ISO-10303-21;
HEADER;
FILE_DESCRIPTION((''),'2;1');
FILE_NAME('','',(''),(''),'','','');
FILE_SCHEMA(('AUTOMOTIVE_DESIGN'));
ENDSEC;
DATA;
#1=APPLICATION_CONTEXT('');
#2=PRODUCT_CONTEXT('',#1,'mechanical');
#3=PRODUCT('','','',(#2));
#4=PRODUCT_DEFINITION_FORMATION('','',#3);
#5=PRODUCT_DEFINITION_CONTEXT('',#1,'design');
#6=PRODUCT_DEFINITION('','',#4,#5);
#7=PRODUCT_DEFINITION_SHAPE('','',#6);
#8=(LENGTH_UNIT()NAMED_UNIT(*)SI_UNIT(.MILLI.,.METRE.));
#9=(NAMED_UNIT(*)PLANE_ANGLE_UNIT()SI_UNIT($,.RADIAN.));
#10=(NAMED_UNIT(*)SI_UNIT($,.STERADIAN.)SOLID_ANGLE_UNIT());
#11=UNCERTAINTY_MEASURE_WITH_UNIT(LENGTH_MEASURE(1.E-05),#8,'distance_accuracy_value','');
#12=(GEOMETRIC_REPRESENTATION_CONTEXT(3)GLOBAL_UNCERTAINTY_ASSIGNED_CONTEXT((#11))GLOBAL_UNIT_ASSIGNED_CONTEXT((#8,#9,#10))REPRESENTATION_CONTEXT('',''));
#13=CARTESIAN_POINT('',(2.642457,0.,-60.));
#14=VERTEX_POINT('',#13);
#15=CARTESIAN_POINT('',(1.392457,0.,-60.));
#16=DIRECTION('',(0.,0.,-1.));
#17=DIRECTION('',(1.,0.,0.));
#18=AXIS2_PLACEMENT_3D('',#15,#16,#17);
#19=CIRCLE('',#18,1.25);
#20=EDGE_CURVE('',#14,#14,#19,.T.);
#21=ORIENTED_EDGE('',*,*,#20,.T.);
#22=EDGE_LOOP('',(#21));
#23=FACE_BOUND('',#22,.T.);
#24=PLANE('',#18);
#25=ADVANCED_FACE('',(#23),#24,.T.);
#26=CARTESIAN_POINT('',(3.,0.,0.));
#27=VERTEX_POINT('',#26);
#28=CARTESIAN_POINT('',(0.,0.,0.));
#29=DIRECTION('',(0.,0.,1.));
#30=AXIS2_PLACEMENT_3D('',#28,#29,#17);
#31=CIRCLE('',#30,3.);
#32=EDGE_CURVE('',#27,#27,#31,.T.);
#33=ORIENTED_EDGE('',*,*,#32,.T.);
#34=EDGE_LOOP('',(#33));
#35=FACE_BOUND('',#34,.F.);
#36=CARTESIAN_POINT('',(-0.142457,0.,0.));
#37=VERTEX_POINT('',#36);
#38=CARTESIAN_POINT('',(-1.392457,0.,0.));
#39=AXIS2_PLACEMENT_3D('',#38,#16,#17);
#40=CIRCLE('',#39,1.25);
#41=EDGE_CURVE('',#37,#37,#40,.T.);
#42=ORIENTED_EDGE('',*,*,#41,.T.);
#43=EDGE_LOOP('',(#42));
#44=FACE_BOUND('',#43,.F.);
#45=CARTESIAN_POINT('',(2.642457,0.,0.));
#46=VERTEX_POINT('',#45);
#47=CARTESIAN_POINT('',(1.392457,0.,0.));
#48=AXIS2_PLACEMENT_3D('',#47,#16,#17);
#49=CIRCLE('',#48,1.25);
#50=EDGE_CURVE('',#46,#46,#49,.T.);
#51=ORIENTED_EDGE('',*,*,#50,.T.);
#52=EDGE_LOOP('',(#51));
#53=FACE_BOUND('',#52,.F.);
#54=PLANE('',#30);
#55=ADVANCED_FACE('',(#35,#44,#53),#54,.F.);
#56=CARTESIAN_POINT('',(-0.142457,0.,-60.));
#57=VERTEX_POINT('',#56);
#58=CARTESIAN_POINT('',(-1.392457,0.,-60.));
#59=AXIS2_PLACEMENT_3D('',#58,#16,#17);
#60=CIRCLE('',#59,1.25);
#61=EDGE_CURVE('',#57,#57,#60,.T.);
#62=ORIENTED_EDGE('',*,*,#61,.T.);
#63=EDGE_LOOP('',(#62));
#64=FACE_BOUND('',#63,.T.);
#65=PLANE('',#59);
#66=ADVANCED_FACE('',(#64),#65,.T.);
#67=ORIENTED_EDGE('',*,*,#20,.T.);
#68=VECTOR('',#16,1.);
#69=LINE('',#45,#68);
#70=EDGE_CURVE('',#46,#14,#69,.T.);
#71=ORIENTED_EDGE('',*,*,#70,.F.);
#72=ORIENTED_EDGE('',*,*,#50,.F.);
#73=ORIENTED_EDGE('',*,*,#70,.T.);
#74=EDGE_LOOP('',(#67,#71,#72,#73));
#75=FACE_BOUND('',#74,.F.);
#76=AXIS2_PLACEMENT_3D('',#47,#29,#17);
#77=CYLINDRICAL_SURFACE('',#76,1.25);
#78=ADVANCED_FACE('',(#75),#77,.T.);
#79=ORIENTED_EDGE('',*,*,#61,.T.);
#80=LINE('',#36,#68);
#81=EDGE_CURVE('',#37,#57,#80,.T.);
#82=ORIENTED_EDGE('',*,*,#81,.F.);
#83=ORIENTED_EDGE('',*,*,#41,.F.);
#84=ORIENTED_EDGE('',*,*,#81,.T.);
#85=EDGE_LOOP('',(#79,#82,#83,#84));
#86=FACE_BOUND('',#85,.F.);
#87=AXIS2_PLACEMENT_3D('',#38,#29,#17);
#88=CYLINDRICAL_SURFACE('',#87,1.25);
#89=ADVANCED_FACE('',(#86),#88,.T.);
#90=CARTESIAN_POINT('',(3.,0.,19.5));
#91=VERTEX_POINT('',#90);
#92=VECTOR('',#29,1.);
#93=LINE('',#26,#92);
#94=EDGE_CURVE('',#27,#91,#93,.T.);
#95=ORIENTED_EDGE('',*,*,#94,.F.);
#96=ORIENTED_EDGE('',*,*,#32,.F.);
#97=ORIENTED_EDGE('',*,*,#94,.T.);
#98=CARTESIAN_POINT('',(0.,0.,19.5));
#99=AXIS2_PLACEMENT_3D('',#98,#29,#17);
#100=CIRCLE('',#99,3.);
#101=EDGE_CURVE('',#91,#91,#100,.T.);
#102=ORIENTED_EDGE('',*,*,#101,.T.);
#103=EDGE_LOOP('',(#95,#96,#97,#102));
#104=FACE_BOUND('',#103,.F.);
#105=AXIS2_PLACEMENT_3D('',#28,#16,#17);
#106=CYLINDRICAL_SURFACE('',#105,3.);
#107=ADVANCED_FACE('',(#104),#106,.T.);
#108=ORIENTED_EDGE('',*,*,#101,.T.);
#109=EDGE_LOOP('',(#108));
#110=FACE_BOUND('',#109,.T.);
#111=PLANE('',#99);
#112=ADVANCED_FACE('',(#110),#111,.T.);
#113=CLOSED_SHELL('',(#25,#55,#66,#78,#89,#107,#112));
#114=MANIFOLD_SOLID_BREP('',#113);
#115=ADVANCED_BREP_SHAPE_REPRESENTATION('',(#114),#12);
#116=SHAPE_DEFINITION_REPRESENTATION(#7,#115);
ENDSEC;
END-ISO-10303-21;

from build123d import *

# Parameters (mm, degrees)
SKETCH_R     = 3
PAD_DEPTH    = 19.5
SKETCH001_R  = 1.25
PAD001_DEPTH = 60


with BuildPart() as part:
    # Sketch → Pad (new body)
    with BuildSketch(Plane.XY):
        Circle(SKETCH_R)
    extrude(amount=PAD_DEPTH)

    # Sketch001 (on Face2 of Pad) → Pad001 (join)
    with BuildSketch(Plane(origin=(0, 0, 0), x_dir=(1, 0, 0), z_dir=(0, 0, -1))):
        with Locations((-1.392457, 0)):
            Circle(SKETCH001_R)
        with Locations((1.392457, 0)):
            Circle(SKETCH001_R)
    extrude(amount=PAD001_DEPTH)


solid = part.part
